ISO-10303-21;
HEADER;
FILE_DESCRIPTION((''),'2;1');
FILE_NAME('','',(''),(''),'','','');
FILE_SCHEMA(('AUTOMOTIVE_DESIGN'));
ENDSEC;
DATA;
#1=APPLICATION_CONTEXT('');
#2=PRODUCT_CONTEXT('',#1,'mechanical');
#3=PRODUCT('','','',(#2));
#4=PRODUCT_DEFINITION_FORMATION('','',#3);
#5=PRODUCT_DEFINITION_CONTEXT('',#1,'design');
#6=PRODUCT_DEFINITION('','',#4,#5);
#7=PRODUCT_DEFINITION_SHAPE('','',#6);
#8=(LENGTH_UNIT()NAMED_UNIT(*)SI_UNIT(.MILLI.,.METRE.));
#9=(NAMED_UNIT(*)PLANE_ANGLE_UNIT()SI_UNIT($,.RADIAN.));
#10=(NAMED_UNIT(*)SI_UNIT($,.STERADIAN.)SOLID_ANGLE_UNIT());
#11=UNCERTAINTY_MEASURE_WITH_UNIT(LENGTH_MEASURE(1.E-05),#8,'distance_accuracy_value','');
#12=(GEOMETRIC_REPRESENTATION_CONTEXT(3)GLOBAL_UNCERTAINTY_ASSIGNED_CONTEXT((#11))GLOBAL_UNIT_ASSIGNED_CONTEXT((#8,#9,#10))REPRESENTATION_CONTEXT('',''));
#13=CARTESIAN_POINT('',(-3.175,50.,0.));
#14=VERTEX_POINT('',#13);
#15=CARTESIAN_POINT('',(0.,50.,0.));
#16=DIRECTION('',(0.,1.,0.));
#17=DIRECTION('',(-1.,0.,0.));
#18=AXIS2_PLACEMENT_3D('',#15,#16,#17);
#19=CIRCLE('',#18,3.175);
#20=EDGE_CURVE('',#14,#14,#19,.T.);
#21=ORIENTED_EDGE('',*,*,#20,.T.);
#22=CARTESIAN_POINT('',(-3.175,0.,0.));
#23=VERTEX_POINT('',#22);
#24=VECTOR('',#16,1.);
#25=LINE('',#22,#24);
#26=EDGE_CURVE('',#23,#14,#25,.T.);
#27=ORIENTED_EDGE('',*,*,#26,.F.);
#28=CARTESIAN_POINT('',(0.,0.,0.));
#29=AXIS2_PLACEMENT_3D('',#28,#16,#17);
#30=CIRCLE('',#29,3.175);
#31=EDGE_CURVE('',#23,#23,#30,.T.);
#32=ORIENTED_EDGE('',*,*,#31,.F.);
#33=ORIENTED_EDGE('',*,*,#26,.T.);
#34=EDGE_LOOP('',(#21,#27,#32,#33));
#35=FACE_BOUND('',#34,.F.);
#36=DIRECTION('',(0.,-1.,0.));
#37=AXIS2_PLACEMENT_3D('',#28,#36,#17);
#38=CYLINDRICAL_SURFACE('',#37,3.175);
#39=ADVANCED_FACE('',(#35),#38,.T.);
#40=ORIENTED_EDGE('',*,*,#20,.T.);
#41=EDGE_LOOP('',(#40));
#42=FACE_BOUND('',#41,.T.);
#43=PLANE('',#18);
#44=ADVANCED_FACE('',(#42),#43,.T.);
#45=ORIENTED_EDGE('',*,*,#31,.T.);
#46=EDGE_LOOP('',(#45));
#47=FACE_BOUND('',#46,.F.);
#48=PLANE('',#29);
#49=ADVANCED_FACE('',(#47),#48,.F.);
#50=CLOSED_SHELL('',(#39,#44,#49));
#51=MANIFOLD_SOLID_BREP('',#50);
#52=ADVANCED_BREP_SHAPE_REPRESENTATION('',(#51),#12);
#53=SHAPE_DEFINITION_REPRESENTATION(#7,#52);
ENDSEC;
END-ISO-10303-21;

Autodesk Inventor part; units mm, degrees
ref_plane "YZ Plane" through (0, 0, 0) normal (1, 0, 0) x (0, 1, 0)
ref_plane "XZ Plane" through (0, 0, 0) normal (0, 1, 0) x (-1, 0, 0)
ref_plane "XY Plane" through (0, 0, 0) normal (0, 0, 1) x (1, 0, 0)
sketch "Sketch1" plane through (0, 0, 0) normal (0, 1, 0) x (-1, 0, 0)
  circle A0 centre (0, 0) radius 3.175
  dimension "d0" = 6.35
extrude "Extrusion1" add sketch "Sketch1" along normal blind 50
properties part number "Capper Gate Shaft" material "Stainless Steel"
